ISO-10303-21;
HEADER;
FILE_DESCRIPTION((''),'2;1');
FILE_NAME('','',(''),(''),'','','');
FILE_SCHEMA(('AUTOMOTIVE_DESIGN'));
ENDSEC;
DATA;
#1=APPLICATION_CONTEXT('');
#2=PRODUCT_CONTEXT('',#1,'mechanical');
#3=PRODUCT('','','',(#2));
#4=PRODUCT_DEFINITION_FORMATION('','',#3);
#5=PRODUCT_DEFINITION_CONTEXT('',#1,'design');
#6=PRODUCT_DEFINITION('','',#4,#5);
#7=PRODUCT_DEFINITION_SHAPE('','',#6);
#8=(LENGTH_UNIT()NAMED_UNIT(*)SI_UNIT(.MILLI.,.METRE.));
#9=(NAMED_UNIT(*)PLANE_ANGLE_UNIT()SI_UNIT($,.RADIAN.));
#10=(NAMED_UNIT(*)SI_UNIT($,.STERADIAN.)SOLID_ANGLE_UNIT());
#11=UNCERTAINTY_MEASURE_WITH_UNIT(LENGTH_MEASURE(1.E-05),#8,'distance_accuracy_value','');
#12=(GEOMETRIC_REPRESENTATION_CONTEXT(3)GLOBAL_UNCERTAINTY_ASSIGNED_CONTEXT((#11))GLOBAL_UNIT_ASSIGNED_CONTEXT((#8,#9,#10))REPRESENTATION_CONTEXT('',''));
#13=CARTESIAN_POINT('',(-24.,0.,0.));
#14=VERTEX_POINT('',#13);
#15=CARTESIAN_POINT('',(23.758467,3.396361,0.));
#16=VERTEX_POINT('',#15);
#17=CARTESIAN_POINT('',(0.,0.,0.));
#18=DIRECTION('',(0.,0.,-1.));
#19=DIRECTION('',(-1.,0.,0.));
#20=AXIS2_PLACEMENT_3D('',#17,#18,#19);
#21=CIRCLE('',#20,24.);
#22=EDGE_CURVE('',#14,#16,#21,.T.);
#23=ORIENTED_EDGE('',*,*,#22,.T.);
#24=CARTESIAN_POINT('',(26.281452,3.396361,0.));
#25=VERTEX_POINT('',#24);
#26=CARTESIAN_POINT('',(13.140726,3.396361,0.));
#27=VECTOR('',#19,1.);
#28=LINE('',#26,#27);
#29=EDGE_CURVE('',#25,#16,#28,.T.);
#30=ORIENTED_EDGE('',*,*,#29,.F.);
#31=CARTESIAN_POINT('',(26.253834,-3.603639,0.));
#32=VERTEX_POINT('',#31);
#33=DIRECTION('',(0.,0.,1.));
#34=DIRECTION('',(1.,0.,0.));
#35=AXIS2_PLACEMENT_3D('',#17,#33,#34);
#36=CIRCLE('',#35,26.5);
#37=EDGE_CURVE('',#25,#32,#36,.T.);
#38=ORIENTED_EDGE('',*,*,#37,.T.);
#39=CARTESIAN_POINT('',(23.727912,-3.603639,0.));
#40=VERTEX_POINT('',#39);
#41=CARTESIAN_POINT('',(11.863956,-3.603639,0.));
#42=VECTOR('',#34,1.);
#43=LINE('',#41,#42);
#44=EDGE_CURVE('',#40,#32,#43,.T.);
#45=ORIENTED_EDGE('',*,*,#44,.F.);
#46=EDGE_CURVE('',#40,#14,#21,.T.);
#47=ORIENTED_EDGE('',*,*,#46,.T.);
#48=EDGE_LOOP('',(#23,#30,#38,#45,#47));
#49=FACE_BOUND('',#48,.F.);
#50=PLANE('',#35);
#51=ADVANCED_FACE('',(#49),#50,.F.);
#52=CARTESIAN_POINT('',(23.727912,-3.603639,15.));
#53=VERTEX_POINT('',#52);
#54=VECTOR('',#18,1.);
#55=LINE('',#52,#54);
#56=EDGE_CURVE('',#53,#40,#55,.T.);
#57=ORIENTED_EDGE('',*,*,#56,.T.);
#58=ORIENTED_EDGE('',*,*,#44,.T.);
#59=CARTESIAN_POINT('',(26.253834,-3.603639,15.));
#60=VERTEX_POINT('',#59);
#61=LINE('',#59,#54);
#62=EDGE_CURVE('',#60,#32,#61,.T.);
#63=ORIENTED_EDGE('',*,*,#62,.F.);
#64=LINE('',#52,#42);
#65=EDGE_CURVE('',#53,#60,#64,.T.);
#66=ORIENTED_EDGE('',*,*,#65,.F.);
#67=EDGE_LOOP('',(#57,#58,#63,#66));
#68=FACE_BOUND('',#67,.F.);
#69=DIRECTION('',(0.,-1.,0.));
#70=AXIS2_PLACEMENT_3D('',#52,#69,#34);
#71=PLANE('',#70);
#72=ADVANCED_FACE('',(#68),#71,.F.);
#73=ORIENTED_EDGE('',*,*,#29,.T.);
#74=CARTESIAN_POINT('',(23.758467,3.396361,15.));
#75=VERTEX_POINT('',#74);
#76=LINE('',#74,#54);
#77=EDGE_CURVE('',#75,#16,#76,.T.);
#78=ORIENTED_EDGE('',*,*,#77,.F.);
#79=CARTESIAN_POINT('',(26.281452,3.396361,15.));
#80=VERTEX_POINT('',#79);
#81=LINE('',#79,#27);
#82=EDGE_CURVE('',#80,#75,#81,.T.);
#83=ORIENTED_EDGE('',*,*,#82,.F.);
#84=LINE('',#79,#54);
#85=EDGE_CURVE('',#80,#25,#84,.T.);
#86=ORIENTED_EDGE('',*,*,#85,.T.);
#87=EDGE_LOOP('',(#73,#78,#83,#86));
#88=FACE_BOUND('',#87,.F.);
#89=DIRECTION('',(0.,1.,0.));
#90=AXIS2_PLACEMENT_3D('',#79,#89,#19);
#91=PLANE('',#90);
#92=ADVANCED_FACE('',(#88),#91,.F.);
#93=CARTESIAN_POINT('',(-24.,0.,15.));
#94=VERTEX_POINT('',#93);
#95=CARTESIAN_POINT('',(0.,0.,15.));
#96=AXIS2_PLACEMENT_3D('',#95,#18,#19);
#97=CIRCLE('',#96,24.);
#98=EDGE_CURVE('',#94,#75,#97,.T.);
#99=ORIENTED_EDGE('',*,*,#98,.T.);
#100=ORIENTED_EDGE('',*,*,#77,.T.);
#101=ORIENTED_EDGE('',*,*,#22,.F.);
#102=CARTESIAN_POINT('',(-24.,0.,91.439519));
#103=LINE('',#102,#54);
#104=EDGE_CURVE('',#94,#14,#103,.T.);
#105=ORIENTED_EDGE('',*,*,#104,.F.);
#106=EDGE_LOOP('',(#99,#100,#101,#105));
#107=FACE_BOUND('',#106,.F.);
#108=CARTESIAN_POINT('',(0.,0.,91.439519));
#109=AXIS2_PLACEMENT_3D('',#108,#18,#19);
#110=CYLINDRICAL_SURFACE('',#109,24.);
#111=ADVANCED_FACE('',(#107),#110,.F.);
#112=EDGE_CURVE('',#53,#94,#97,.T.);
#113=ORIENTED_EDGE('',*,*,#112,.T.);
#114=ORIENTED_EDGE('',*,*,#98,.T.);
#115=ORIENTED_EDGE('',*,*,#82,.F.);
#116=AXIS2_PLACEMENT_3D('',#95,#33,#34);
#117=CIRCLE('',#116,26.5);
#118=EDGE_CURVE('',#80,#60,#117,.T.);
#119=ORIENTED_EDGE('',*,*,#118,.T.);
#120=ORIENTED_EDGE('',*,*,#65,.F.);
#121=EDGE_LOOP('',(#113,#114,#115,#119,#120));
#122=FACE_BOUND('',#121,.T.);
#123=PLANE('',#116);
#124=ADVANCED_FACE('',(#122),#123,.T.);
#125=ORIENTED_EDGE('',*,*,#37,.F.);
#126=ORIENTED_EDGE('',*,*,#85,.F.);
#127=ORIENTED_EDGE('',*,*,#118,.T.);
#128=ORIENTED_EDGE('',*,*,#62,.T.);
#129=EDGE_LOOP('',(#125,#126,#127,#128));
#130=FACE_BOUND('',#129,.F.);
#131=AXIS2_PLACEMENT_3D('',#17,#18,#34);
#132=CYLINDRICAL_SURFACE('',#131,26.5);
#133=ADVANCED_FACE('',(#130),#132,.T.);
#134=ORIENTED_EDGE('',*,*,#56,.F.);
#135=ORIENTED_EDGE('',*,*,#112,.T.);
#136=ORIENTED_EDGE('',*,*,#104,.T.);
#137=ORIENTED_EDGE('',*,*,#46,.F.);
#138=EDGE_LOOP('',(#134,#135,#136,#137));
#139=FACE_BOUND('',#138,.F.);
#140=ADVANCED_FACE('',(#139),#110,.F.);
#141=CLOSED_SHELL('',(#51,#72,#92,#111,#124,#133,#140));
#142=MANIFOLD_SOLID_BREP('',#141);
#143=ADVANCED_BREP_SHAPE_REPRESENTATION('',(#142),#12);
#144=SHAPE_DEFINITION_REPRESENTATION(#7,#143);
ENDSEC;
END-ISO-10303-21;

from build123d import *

# Parameters (mm, degrees)
F0_R     = 26.5
F1_DEPTH = 15
F3_D     = 48
F5_DEPTH = 15.001


with BuildPart() as f1:
    # F0 (on Top) → F1 (new body)
    with BuildSketch(Plane.XY):
        Circle(F0_R)
    extrude(amount=F1_DEPTH)

    # F3 (through all)
    with Locations(Plane.XY.offset(15)):
        with Locations((0, 0)):
            Hole(F3_D / 2)

    # F4 (on face) → F5 (cut, through all)
    with BuildSketch(Plane.XY.offset(15)):
        with BuildLine():
            Line((26.2814522422, 3.396361), (23.7584665321, 3.396361))
            ThreePointArc((23.7584665321, 3.396361), (23.9395404798, 1.7024692698), (24, 0))
            ThreePointArc((24, 0), (23.9318812143, -1.8069481297), (23.7279115381, -3.603639))
            Line((23.727911538, -3.603639), (26.2538337383, -3.603639))
            ThreePointArc((26.2538337383, -3.603639), (26.4383868084, -1.8060185402), (26.5, 0))
            ThreePointArc((26.5, 0), (26.4453066197, 1.7016926254), (26.2814522422, 3.396361))
        make_face()
    extrude(amount=-F5_DEPTH, mode=Mode.SUBTRACT)


solid = f1.part
